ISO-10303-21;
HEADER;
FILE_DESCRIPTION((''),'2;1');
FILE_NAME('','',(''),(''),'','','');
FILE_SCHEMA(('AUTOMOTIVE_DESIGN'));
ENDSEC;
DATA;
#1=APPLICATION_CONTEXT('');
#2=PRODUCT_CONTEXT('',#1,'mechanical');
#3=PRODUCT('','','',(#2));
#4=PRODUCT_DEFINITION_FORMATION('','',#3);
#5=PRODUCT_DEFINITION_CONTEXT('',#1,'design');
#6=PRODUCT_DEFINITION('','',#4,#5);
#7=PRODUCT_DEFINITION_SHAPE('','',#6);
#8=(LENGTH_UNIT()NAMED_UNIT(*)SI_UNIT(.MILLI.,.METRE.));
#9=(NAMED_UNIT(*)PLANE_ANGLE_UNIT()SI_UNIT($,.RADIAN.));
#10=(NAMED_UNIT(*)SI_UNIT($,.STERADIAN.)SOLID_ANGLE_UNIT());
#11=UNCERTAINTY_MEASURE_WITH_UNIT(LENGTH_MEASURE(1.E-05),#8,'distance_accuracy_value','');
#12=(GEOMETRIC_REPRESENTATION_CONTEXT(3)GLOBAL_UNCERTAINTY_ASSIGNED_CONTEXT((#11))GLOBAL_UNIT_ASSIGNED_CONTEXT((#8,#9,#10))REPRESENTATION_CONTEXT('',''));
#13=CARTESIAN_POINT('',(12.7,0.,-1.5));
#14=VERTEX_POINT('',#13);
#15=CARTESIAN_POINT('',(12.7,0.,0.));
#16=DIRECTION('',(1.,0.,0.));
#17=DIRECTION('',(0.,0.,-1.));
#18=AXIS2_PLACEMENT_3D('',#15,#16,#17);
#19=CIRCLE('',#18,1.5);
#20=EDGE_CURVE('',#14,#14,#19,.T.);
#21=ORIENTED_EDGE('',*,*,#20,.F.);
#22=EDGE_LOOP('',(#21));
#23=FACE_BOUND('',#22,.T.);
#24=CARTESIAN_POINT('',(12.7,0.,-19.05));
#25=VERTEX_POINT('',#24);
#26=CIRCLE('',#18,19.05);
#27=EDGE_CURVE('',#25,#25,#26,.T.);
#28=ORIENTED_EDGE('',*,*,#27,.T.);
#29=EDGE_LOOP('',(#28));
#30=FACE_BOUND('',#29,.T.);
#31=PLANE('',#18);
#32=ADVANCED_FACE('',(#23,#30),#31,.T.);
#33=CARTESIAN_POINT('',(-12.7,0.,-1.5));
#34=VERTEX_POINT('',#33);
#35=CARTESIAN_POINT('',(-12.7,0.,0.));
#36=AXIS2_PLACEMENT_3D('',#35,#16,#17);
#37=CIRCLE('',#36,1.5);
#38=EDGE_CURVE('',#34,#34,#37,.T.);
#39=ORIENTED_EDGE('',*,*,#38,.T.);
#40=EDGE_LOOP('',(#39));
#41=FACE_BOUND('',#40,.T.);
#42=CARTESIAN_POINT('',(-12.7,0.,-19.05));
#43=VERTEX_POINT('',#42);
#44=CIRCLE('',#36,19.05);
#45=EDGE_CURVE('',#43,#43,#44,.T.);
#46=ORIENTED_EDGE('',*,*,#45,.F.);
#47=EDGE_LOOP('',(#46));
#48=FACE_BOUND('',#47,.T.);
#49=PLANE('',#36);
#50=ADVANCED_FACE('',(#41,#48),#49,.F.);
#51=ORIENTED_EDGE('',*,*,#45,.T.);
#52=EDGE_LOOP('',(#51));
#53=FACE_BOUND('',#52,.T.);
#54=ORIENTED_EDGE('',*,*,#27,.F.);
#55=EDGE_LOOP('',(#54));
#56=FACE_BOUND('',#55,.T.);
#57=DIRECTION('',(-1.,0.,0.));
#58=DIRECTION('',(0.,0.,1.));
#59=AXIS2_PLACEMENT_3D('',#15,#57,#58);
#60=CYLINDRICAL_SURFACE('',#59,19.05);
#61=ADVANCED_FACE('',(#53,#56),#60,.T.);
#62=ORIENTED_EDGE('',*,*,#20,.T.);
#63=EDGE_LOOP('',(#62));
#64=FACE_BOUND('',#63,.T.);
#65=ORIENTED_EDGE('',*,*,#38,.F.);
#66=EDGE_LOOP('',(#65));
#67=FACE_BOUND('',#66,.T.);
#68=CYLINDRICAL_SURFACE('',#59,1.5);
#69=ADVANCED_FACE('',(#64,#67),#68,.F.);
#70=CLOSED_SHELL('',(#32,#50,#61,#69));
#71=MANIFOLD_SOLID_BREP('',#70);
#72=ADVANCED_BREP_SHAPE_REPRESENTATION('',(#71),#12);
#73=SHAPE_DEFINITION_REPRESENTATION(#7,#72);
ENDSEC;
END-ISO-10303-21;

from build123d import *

# Parameters (mm, degrees)
SKETCH1_R           = 19.05
SKETCH1_R_2         = 1.5
BOSS_EXTRUDE1_DEPTH = 12.7


with BuildPart() as part:
    # Sketch1 → Boss-Extrude1 (new, symmetric)
    with BuildSketch(Plane(origin=(0, 0, 0), x_dir=(0, 0, -1), z_dir=(1, 0, 0))):
        Circle(SKETCH1_R)
        Circle(SKETCH1_R_2, mode=Mode.SUBTRACT)
    extrude(amount=BOSS_EXTRUDE1_DEPTH, both=True)


solid = part.part
